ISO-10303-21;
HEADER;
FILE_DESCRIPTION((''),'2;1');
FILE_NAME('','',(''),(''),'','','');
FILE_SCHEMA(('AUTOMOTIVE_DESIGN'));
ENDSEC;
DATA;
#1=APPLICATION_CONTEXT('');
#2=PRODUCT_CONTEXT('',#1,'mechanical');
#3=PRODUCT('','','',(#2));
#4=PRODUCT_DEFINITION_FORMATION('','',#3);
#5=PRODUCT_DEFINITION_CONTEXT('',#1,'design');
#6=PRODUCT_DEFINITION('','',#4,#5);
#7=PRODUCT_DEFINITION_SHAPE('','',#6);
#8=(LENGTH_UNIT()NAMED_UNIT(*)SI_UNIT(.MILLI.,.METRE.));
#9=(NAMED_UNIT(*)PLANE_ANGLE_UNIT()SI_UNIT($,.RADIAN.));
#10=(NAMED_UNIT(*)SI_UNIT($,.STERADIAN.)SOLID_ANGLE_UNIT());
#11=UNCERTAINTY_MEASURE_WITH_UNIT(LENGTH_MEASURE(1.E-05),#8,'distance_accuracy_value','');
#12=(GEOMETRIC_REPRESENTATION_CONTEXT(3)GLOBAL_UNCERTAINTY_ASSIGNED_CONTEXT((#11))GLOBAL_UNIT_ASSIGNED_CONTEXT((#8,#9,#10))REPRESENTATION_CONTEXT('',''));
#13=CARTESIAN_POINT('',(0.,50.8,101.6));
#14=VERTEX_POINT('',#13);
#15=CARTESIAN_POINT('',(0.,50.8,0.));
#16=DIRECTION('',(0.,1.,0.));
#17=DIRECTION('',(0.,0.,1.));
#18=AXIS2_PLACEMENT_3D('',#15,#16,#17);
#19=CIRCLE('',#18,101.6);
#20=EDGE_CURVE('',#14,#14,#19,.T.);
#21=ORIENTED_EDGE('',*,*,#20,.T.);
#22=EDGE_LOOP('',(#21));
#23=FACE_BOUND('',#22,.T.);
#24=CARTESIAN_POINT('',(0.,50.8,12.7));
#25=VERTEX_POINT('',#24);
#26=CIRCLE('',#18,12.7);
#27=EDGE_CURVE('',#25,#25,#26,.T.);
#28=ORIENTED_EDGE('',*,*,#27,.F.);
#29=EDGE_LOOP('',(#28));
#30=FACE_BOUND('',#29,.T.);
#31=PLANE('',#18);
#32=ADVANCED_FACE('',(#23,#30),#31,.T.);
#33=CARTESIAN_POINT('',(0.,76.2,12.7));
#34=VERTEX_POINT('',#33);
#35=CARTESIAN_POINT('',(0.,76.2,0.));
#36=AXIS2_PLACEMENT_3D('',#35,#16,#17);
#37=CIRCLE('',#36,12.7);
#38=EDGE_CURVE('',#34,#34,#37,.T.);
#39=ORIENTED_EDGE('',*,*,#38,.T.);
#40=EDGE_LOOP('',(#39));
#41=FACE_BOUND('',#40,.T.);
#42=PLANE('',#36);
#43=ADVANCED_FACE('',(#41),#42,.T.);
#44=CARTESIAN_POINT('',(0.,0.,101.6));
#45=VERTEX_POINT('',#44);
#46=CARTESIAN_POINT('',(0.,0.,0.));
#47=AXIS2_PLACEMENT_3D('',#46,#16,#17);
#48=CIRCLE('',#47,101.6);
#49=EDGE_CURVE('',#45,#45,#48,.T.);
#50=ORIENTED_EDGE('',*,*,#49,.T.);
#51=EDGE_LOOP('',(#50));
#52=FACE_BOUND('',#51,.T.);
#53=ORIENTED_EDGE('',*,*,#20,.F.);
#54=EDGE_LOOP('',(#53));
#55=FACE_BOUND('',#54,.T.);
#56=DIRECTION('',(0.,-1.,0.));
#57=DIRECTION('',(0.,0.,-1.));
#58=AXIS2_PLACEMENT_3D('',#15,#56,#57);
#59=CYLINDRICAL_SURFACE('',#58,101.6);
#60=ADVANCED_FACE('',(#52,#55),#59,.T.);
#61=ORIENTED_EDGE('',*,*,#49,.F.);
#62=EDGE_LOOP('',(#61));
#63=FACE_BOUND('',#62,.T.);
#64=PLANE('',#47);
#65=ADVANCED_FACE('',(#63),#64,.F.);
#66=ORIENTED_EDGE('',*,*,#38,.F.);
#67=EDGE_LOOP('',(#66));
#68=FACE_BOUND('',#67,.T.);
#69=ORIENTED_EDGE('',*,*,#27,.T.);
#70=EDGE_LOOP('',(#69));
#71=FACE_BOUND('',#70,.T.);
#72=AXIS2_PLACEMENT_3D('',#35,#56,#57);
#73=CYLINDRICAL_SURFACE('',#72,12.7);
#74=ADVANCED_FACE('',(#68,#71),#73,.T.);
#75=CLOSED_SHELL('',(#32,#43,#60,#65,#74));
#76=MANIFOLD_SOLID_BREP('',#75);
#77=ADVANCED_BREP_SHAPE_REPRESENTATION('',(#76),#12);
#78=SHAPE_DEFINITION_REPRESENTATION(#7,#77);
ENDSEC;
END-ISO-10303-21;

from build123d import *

# Parameters (mm, degrees)
SKETCH1_R           = 101.6
BOSS_EXTRUDE1_DEPTH = 50.8
SKETCH2_R           = 12.7
BOSS_EXTRUDE2_DEPTH = 25.4


with BuildPart() as part:
    # Sketch1 → Boss-Extrude1 (new body)
    with BuildSketch(Plane(origin=(0, 0, 0), x_dir=(1, 0, 0), z_dir=(0, 1, 0))):
        Circle(SKETCH1_R)
    extrude(amount=BOSS_EXTRUDE1_DEPTH)

    # Sketch2 → Boss-Extrude2 (add)
    with BuildSketch(Plane(origin=(0, 50.8, 0), x_dir=(1, 0, 0), z_dir=(0, 1, 0))):
        Circle(SKETCH2_R)
    extrude(amount=BOSS_EXTRUDE2_DEPTH)


solid = part.part
